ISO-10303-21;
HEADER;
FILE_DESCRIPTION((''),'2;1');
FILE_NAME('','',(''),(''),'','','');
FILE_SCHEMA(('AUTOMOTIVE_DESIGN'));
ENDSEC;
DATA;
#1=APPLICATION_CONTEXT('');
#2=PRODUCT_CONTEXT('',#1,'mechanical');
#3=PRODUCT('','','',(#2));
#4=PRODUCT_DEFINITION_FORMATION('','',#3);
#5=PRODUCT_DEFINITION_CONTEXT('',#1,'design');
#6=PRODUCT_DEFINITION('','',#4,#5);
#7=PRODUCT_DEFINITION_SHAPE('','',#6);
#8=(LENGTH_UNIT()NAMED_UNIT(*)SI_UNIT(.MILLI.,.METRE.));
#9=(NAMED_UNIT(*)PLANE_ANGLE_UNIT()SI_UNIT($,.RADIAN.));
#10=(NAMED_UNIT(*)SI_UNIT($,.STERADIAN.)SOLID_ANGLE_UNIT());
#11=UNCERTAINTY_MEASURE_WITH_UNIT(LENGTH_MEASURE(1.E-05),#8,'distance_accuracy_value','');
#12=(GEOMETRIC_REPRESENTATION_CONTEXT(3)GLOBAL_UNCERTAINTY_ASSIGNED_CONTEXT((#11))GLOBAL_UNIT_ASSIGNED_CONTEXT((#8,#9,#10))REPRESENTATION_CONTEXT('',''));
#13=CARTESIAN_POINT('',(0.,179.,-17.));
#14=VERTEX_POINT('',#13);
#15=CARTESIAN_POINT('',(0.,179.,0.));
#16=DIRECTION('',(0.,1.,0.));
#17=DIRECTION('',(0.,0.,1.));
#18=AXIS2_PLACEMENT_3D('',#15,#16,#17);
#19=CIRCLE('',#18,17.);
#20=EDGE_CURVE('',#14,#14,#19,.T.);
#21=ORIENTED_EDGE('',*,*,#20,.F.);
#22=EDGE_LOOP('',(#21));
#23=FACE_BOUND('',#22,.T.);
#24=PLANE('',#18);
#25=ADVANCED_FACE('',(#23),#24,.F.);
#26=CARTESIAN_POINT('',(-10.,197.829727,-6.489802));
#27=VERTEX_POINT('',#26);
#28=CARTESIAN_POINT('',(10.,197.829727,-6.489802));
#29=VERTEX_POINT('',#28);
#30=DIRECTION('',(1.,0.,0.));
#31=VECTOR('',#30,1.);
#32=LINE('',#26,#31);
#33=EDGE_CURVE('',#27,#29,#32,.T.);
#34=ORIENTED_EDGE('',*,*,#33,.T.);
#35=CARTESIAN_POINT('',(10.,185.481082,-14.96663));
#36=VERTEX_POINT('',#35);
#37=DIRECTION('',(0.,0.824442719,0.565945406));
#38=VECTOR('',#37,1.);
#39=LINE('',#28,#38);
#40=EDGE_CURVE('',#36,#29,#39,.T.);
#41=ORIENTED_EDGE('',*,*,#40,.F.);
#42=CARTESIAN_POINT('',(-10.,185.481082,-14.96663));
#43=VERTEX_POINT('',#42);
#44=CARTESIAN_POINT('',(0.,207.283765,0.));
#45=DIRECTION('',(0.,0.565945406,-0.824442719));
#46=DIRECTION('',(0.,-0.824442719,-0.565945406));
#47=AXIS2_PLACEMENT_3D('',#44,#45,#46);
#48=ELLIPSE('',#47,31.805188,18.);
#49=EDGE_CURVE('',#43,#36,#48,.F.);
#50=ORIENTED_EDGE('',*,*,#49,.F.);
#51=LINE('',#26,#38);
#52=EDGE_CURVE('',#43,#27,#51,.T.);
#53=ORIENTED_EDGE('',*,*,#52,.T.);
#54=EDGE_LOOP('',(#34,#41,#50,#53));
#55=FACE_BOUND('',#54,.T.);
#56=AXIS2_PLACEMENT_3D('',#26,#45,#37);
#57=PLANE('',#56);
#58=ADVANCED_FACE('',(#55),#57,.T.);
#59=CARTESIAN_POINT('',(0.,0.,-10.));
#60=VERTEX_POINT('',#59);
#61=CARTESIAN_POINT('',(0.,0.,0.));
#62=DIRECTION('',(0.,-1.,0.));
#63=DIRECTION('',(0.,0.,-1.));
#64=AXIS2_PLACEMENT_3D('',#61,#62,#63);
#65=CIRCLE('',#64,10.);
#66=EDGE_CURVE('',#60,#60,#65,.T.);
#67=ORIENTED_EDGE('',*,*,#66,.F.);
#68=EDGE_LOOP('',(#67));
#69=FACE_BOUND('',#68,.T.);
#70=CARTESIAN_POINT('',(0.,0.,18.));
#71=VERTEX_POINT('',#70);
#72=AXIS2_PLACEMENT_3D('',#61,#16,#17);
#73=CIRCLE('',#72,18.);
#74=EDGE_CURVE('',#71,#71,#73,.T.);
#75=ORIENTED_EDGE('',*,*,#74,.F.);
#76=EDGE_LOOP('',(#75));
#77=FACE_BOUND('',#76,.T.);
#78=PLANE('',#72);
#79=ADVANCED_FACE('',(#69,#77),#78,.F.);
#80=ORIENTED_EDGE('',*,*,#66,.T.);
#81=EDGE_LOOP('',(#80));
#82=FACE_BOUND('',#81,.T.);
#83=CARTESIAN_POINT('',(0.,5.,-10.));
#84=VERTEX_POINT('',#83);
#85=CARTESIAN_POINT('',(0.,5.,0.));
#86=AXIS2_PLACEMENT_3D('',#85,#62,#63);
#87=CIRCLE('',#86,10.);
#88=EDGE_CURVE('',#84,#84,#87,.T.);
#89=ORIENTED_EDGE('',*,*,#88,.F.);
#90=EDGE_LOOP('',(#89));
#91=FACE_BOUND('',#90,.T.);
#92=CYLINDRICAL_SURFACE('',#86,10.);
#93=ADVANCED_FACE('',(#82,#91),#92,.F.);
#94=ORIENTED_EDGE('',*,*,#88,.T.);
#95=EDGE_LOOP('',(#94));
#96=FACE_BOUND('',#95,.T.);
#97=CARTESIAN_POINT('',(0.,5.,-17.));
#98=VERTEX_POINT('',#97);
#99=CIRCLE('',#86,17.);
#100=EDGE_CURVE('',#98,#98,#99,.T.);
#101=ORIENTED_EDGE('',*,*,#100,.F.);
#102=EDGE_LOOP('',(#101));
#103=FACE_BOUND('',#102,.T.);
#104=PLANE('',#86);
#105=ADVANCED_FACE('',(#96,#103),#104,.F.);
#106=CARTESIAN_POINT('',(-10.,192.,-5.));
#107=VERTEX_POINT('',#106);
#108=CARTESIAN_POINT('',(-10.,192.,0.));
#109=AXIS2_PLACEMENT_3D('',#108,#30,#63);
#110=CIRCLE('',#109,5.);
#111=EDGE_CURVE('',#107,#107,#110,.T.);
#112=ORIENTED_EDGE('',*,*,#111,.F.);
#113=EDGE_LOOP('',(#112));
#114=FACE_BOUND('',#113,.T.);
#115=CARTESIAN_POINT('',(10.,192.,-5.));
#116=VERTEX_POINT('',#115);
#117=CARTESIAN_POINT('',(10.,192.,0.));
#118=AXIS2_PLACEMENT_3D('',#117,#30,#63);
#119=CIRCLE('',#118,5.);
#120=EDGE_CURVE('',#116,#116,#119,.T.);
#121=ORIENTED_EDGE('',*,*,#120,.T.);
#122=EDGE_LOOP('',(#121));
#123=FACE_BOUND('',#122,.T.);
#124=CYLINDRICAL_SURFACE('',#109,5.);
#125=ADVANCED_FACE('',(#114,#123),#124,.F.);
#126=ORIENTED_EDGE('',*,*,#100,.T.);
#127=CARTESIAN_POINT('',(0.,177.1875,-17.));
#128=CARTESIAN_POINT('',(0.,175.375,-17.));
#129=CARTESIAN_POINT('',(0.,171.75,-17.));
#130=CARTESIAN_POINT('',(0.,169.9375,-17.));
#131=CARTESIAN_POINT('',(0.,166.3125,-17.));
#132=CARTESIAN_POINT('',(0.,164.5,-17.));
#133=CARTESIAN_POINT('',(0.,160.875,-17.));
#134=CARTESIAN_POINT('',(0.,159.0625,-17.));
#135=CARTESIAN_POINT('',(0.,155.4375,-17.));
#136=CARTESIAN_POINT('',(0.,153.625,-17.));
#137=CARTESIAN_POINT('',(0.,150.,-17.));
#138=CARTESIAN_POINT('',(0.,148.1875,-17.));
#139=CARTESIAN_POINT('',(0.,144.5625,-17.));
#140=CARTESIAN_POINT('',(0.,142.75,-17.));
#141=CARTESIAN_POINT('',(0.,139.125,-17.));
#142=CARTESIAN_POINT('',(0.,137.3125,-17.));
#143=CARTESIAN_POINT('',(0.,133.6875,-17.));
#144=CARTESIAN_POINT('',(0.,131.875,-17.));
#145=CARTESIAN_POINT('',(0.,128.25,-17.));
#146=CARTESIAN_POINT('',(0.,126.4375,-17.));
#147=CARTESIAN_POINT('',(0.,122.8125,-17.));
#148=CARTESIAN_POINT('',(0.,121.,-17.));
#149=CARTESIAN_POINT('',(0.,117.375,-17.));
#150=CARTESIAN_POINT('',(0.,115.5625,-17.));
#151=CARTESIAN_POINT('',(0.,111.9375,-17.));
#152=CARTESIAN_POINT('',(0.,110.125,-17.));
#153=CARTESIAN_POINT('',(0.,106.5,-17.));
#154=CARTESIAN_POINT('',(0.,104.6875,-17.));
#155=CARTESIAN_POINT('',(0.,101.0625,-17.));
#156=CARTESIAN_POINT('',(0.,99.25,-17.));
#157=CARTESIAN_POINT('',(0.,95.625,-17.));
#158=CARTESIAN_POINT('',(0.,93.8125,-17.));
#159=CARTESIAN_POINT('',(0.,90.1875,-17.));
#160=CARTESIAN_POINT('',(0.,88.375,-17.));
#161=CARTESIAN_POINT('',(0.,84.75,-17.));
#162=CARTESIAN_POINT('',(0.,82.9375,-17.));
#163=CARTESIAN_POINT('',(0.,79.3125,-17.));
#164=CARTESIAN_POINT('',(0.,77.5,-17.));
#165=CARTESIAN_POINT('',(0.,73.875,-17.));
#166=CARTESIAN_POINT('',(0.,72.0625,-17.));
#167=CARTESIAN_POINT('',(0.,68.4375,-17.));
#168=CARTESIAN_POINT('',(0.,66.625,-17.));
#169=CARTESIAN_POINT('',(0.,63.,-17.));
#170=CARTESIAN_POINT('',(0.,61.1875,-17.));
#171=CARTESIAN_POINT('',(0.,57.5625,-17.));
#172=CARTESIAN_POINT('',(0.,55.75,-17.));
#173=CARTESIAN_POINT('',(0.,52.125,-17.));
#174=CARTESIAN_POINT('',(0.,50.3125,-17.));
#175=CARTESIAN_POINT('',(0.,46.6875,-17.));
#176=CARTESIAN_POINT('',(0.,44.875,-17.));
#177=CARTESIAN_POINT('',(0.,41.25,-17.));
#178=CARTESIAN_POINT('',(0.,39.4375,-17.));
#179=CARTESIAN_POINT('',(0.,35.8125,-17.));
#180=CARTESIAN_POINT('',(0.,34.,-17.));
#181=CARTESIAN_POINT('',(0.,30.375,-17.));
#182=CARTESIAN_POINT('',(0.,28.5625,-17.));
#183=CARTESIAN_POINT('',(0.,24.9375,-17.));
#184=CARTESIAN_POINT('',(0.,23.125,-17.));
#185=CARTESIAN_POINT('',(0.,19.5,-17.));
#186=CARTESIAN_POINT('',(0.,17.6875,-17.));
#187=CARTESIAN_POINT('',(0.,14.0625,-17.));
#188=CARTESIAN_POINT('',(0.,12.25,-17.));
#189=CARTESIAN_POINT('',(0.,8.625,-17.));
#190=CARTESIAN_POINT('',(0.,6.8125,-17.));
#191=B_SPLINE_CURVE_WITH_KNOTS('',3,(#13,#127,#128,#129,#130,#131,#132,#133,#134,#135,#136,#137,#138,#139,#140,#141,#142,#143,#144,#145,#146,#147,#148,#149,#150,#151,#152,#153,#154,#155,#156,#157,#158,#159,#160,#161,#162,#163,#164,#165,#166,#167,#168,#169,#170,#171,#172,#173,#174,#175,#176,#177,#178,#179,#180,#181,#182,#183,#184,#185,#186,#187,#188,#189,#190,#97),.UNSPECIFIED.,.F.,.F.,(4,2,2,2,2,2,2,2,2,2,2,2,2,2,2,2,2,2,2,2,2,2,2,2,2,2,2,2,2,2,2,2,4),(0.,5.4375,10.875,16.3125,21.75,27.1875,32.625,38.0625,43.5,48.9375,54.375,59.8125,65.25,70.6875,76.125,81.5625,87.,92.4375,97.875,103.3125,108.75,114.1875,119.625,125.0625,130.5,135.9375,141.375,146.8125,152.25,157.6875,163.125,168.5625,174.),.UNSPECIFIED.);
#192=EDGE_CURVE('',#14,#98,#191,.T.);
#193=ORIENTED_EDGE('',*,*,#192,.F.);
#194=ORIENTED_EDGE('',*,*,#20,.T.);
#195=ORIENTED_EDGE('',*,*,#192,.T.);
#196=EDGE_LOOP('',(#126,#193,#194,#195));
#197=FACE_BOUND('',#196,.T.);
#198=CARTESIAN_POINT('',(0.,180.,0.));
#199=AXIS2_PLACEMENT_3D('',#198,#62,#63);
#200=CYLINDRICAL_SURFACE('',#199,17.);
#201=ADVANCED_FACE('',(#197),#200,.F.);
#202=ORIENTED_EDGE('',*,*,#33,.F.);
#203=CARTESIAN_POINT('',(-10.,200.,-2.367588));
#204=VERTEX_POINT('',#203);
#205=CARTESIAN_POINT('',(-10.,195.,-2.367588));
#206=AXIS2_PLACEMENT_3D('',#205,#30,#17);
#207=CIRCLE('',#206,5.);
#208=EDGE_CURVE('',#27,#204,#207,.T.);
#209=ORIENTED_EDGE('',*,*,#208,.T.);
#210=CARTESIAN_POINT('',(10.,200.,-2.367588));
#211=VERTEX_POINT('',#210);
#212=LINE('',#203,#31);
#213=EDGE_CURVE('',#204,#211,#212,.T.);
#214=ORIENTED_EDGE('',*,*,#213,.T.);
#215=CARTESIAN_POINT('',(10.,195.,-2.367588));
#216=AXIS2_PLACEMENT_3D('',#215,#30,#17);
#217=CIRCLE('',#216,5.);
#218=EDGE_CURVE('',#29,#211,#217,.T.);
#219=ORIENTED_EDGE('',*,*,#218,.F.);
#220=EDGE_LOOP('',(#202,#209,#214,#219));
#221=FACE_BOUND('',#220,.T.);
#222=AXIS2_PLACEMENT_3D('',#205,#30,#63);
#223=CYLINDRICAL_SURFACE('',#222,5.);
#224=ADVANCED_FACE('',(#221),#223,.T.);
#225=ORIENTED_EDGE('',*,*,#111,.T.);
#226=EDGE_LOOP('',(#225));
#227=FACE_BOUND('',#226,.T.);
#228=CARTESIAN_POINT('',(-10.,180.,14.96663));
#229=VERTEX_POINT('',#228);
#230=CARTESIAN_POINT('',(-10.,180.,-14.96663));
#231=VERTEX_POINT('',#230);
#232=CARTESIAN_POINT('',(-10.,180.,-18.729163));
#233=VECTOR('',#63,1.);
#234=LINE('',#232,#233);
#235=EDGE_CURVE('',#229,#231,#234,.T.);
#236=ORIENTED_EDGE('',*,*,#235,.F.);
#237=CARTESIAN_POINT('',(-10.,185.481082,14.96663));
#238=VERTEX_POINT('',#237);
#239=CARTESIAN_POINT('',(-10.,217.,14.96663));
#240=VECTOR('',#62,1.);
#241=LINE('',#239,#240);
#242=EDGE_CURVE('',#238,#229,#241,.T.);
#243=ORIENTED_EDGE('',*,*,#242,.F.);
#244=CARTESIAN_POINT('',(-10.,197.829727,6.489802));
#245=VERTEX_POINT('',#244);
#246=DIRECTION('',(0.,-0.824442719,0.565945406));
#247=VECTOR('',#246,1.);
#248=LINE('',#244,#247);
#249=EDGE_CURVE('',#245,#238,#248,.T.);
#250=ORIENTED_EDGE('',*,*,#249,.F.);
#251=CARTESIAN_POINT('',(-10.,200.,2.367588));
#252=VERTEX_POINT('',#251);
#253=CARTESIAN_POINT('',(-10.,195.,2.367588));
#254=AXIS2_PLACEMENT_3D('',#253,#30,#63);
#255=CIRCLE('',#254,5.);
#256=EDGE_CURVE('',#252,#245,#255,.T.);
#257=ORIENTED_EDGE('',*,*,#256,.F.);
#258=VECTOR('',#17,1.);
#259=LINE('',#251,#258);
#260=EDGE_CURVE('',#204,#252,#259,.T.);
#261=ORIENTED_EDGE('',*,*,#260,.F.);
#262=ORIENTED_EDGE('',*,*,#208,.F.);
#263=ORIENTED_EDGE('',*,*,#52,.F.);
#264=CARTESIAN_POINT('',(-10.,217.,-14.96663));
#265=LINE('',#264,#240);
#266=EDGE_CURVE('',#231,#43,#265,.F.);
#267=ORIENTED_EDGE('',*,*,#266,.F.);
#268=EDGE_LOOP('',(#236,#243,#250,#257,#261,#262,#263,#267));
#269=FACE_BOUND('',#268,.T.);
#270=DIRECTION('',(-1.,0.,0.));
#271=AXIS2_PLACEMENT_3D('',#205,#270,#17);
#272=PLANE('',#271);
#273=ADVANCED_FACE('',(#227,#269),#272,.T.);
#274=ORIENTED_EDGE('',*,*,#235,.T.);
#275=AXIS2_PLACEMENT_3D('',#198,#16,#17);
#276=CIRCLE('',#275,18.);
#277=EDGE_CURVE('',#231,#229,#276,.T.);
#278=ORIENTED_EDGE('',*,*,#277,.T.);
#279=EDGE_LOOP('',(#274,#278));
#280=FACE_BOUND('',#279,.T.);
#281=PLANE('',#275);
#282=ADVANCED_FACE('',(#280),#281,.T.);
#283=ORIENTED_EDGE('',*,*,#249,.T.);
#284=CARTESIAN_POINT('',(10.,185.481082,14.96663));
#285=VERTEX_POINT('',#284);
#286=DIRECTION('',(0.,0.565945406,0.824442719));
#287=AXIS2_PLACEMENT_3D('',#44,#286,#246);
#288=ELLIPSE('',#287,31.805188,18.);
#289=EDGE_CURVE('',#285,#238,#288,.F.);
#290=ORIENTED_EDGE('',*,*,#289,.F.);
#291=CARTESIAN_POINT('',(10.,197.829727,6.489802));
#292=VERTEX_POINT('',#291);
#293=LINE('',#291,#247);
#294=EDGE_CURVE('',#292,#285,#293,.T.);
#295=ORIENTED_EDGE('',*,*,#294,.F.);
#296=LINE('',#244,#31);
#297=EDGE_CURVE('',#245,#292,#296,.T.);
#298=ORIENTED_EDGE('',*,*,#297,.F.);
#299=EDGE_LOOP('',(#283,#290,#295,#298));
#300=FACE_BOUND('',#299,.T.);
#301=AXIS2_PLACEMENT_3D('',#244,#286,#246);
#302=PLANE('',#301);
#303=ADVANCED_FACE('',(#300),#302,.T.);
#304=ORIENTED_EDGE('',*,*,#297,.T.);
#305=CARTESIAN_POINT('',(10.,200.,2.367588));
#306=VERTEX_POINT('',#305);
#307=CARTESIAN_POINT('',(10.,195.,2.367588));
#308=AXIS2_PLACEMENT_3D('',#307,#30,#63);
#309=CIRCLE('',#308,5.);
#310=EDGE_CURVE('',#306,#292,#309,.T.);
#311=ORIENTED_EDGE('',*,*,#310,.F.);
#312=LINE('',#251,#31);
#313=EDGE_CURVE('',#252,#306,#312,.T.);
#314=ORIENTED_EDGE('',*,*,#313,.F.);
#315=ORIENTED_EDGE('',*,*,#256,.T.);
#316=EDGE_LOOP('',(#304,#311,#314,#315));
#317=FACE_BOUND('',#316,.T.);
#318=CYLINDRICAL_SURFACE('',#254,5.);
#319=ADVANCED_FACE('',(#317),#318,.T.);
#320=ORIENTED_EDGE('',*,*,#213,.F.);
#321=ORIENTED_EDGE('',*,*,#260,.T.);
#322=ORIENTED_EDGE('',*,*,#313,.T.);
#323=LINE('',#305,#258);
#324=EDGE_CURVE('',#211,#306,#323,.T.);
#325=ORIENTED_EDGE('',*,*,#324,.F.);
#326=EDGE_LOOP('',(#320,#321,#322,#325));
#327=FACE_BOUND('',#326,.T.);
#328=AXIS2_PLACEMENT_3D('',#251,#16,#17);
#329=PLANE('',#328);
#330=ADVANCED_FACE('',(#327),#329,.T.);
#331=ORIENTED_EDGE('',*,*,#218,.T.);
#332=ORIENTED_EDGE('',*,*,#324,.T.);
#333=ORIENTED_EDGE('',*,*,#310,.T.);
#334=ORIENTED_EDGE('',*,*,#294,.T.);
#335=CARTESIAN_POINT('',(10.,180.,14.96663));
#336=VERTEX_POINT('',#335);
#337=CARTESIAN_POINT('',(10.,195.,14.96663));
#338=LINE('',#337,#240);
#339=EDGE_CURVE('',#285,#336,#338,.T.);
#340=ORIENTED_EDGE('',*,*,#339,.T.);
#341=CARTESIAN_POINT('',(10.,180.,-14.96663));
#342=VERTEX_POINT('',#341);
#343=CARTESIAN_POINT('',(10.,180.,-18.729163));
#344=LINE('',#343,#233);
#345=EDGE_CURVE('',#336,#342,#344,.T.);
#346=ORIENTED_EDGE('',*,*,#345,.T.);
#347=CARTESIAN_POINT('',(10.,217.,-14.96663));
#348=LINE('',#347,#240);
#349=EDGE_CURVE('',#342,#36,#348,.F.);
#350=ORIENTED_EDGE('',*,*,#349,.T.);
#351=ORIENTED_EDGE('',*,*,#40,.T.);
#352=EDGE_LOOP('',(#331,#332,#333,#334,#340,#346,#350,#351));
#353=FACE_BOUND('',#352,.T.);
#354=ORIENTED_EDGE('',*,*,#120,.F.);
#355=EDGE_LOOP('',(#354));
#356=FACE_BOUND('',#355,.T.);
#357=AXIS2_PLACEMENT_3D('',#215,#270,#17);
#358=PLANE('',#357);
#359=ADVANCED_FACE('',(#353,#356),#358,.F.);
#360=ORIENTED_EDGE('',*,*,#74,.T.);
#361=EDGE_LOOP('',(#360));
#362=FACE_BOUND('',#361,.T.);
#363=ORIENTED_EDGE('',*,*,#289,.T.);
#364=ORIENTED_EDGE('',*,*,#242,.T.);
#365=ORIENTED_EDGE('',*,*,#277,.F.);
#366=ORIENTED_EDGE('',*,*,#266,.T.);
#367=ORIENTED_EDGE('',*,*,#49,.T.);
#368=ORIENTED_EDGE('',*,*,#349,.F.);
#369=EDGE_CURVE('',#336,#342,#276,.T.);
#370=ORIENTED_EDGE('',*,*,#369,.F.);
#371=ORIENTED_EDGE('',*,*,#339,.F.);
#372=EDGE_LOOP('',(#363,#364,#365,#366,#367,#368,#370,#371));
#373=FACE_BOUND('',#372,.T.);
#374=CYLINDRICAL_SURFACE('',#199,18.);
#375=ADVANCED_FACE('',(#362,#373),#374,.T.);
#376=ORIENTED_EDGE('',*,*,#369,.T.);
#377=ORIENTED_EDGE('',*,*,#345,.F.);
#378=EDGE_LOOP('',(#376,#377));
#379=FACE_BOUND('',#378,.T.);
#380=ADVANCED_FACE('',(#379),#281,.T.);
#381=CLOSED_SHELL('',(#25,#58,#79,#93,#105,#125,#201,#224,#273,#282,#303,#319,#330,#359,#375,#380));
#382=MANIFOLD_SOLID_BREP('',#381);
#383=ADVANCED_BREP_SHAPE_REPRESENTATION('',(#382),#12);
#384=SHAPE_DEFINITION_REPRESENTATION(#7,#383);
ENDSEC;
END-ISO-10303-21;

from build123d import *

# Parameters (mm, degrees)
CROQUIS1_R                   = 18
SALIENTE_EXTRUIR1_DEPTH      = 180
VACIADO1_T                   = -1
CROQUIS3_R                   = 17
CROQUIS3_R_2                 = 10
SALIENTE_EXTRUIR2_DEPTH      = 5
SALIENTE_EXTRUIR3_DEPTH      = 10
SALIENTE_EXTRUIR3_DEPTH_BACK = 10
CROQUIS4_R                   = 5
CORTAR_EXTRUIR1_DEPTH        = 37


with BuildPart() as part:
    # Croquis1 → Saliente-Extruir1 (new body)
    with BuildSketch(Plane(origin=(0, 0, 0), x_dir=(1, 0, 0), z_dir=(0, 1, 0))):
        Circle(CROQUIS1_R)
    extrude(amount=SALIENTE_EXTRUIR1_DEPTH)

    # Vaciado1
    vaciado1_openings = [part.faces().sort_by_distance(p)[0] for p in [
        (0, 0, 0),
    ]]
    offset(amount=VACIADO1_T, openings=vaciado1_openings, kind=Kind.INTERSECTION)

    # Croquis3 → Saliente-Extruir2 (add)
    with BuildSketch(Plane.XZ):
        Circle(CROQUIS3_R)
        Circle(CROQUIS3_R_2, mode=Mode.SUBTRACT)
    extrude(amount=-SALIENTE_EXTRUIR2_DEPTH)

    # Croquis4 → Saliente-Extruir3 (add, two sides: drawn at the far end of the back side and taken through both)
    with BuildSketch(Plane(origin=(0, 0, 0), x_dir=(0, 0, -1), z_dir=(1, 0, 0)).offset(-SALIENTE_EXTRUIR3_DEPTH_BACK)):
        with BuildLine():
            Line((-2.367587924, 200), (2.367587924, 200))
            ThreePointArc((2.367587924, 200), (4.696897355, 199.424287239), (6.489801521, 197.82972703))
            Line((6.489801521, 197.82972703), (18.729162566, 180))
            Line((18.729162566, 180), (-18.729162566, 180))
            Line((-18.729162566, 180), (-6.489801521, 197.82972703))
            ThreePointArc((-6.489801521, 197.82972703), (-4.696897355, 199.424287239), (-2.367587924, 200))
        make_face()
        with Locations((0, 192)):
            Circle(CROQUIS4_R, mode=Mode.SUBTRACT)
    extrude(amount=SALIENTE_EXTRUIR3_DEPTH + SALIENTE_EXTRUIR3_DEPTH_BACK)

    # Croquis5 → Cortar-Extruir1 (cut)
    with BuildSketch(Plane(origin=(0, 180, 0), x_dir=(1, 0, 0), z_dir=(0, 1, 0))):
        with BuildLine():
            Line((34.507590677, -30.013991489), (34.507590677, -14.966629547))
            Line((34.507590677, -14.966629547), (10, -14.966629547))
            ThreePointArc((10, -14.966629547), (-18, 0), (10, 14.966629547))
            Line((10, 14.966629547), (10, 20.876886583))
            Line((10, 20.876886583), (-23.183234279, 20.876886583))
            Line((-23.183234279, 20.876886583), (-23.183234279, -30.013991489))
            Line((-23.183234279, -30.013991489), (34.507590677, -30.013991489))
        make_face()
    extrude(amount=CORTAR_EXTRUIR1_DEPTH, mode=Mode.SUBTRACT)


solid = part.part
